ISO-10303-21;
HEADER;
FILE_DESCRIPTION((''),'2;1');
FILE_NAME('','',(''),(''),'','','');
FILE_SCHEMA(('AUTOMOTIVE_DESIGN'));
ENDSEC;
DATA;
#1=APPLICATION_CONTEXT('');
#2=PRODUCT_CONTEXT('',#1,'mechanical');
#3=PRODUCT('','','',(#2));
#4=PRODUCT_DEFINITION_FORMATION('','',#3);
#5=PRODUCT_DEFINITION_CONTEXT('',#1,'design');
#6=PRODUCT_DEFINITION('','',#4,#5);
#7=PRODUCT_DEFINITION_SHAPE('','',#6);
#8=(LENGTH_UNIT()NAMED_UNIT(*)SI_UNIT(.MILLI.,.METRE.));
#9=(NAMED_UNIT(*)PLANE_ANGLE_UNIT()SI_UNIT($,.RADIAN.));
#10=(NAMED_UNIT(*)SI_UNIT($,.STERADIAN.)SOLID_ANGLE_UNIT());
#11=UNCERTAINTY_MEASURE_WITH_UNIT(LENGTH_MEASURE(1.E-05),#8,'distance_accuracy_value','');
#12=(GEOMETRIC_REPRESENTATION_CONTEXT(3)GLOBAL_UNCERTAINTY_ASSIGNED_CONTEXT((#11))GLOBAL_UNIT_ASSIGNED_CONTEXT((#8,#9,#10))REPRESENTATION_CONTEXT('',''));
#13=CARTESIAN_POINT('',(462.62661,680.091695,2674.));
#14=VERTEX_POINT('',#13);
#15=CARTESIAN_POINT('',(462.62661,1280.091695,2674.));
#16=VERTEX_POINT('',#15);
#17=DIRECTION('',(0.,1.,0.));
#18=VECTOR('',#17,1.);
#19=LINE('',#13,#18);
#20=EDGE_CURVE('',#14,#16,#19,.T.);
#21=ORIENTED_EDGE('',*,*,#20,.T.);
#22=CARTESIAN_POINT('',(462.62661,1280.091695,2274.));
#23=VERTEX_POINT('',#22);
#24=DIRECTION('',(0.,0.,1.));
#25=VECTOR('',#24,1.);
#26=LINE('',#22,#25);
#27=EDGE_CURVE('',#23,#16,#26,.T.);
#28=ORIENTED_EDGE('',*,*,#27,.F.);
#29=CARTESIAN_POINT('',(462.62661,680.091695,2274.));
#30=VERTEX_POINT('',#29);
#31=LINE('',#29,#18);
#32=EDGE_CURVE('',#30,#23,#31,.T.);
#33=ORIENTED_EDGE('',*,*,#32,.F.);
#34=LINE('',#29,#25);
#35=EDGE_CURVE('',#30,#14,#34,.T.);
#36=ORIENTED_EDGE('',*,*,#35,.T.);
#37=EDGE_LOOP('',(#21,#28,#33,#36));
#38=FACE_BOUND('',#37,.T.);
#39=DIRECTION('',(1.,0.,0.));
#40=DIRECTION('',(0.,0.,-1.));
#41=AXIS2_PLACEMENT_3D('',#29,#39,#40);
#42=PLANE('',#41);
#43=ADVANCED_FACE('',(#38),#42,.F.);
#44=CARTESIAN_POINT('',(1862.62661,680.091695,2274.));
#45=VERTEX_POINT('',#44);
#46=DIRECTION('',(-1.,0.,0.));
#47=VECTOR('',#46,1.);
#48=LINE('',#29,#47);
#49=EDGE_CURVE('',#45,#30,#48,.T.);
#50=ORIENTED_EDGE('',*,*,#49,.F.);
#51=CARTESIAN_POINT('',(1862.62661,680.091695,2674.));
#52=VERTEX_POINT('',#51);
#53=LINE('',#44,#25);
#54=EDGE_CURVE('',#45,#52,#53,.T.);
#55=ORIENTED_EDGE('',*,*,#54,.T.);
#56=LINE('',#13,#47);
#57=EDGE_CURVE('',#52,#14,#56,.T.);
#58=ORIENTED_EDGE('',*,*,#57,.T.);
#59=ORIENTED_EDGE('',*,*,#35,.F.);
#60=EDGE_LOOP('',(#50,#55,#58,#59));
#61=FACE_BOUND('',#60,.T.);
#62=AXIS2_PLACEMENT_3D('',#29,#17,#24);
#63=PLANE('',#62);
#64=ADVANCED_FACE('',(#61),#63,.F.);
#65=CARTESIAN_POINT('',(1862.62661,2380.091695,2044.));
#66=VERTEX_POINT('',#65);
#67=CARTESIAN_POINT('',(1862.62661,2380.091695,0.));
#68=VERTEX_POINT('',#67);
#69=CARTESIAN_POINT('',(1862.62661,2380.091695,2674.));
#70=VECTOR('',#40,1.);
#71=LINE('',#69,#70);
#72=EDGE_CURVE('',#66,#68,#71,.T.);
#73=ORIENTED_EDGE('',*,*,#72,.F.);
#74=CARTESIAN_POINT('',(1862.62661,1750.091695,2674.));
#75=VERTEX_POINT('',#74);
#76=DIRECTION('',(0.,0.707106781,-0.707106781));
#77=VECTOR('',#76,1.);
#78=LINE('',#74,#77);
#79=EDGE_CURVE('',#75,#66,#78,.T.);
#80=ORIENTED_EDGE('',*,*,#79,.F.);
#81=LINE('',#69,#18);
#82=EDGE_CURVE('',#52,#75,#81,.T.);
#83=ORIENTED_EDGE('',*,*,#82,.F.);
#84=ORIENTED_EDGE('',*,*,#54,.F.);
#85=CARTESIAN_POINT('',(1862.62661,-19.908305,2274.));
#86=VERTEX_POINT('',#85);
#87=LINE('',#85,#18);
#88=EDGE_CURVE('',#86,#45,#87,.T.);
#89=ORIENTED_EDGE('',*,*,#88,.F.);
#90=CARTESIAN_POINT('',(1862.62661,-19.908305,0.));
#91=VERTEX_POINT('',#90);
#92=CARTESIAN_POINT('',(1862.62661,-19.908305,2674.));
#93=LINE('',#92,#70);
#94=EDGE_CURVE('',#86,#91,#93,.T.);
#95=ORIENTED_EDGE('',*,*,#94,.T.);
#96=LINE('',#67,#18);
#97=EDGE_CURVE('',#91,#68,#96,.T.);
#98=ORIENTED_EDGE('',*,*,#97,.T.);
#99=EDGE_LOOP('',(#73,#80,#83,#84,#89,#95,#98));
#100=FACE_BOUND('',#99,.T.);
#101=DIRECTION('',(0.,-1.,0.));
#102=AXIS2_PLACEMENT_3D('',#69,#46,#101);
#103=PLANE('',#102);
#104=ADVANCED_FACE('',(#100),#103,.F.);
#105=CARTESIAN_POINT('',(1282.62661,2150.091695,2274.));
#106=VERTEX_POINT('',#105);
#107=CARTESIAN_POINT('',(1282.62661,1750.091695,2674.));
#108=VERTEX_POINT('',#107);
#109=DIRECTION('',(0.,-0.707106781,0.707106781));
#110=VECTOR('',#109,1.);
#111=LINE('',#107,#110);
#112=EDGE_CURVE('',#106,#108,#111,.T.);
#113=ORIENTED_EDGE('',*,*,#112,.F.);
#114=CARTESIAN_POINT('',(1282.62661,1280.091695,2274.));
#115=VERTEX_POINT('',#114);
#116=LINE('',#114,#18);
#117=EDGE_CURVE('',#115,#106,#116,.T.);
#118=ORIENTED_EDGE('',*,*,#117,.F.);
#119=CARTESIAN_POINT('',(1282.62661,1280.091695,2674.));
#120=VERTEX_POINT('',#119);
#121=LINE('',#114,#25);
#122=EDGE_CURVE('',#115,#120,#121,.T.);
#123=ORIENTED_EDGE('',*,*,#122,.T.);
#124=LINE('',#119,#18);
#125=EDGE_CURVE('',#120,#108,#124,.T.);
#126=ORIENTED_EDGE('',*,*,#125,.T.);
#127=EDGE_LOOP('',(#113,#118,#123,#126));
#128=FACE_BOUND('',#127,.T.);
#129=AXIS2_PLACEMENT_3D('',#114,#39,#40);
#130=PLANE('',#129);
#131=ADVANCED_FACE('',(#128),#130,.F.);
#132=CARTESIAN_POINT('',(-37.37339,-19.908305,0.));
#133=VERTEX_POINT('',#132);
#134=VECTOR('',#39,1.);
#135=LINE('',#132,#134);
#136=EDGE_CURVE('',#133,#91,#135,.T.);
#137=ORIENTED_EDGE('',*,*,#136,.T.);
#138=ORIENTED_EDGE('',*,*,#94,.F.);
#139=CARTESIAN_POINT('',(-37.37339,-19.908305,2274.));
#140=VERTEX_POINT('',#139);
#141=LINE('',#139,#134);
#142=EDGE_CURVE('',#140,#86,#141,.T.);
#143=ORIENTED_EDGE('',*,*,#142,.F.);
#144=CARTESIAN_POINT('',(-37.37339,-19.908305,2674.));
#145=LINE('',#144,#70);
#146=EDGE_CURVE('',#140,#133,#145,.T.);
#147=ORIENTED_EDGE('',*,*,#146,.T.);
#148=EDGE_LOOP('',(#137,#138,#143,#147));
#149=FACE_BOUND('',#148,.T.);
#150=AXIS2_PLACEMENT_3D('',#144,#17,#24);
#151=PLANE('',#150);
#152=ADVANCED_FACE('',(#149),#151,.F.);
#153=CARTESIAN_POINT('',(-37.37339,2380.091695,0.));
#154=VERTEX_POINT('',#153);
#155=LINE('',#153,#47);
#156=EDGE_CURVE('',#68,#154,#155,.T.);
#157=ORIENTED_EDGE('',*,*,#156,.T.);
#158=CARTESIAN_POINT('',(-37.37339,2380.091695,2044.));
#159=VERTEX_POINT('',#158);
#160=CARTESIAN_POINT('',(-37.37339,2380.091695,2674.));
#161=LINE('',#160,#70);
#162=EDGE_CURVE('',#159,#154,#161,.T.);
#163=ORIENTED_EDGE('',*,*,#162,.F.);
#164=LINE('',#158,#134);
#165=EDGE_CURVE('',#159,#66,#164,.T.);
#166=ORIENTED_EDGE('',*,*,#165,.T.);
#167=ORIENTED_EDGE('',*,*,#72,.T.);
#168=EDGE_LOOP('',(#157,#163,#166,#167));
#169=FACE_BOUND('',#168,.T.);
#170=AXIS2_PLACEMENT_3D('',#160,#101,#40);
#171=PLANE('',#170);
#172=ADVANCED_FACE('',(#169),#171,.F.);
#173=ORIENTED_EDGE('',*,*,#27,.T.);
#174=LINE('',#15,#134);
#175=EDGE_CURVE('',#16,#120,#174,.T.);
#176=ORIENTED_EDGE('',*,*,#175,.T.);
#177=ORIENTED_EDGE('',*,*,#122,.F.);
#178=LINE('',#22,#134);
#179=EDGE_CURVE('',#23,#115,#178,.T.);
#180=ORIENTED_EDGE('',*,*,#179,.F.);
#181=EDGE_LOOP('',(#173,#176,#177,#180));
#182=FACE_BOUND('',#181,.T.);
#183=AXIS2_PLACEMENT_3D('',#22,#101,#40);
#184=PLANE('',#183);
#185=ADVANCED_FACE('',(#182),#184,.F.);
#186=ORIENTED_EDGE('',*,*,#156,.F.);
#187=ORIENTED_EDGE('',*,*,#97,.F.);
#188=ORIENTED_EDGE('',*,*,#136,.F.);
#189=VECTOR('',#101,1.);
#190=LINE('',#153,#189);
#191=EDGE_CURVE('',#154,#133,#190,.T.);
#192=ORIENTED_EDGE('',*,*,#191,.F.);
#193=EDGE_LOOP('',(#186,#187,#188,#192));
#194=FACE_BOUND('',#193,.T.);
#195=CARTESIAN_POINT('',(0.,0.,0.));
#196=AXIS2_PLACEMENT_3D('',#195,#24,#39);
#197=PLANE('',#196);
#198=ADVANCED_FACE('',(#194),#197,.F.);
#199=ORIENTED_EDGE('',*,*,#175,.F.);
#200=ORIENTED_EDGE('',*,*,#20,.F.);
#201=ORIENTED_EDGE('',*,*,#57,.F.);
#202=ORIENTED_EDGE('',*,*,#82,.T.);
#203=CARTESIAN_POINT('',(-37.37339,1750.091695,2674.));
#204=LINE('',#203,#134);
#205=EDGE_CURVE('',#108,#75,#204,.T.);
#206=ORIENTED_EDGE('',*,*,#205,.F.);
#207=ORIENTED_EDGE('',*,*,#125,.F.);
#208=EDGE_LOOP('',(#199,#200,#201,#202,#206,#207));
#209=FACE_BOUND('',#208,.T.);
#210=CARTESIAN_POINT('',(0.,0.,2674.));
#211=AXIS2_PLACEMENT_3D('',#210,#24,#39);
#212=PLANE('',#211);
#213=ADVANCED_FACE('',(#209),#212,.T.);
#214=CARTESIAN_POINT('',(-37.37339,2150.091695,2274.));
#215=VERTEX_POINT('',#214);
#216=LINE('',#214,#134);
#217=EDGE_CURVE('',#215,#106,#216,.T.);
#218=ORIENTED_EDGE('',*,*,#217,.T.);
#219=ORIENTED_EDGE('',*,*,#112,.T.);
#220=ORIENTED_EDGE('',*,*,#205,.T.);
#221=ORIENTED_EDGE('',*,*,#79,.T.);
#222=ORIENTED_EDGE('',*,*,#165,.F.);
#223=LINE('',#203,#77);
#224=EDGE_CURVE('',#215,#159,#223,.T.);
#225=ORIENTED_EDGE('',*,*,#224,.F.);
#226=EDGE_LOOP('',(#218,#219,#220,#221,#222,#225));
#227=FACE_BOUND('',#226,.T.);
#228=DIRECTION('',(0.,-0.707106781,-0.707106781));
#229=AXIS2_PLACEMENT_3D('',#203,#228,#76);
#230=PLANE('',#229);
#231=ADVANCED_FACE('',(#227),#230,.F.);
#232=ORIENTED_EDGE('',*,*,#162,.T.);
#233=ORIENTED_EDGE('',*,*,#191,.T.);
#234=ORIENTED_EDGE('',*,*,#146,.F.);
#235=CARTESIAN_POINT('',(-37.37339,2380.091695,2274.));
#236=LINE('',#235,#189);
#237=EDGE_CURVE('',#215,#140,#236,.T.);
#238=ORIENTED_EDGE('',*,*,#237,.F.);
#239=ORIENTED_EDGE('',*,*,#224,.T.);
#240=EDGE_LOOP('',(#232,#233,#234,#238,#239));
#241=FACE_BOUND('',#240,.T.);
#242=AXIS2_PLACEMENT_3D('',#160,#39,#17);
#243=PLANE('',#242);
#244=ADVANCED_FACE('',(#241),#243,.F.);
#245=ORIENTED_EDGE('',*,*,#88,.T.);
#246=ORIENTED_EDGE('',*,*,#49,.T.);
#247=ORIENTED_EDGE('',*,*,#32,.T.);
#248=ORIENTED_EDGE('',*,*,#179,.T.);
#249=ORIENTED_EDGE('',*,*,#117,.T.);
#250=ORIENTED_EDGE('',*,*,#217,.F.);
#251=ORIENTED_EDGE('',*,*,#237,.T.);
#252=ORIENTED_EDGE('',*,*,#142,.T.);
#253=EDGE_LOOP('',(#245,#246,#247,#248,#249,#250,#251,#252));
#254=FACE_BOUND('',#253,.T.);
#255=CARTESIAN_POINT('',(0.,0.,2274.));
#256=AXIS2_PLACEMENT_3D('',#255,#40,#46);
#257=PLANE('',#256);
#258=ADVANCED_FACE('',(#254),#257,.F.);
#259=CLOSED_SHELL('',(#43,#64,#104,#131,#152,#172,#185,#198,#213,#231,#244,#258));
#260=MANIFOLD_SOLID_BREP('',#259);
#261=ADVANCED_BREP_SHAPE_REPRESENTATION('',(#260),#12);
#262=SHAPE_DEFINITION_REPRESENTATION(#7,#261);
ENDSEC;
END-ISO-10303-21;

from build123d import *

# Parameters (mm, degrees)
SKETCH_1_W          = 1900
SKETCH_1_H          = 2400
EXTRUDE_1_DEPTH     = 2674
CUT_EXTRUDE_1_DEPTH = 4053.790702473
CUT_EXTRUDE_2_DEPTH = 400


with BuildPart() as part:
    # ｽｹｯﾁ1 → ﾎﾞｽ - 押し出し1 (new body)
    with BuildSketch(Plane.XY):
        with Locations((912.626610361, 1180.091695304)):
            Rectangle(SKETCH_1_W, SKETCH_1_H)
    extrude(amount=EXTRUDE_1_DEPTH)

    # ｽｹｯﾁ2 → ｶｯﾄ - 押し出し1 (cut, through all)
    with BuildSketch(Plane(origin=(1862.626610361, 0, 0), x_dir=(0, 0, -1), z_dir=(1, 0, 0))):
        Polygon((-2674, 2380.091695304), (-2674, 1750.091695304), (-2044, 2380.091695304), align=None)
    extrude(amount=-CUT_EXTRUDE_1_DEPTH, mode=Mode.SUBTRACT)

    # ｽｹｯﾁ3 → ｶｯﾄ - 押し出し2 (cut)
    with BuildSketch(Plane.XY.offset(2674)):
        Polygon((462.626610361, 1280.091695304), (1282.626610361, 1280.091695304), (1282.626610361, 2380.091695304), (-37.373389639, 2380.091695304), (-37.373389639, -19.908304696), (462.626610361, -19.908304696), (1862.626610361, -19.908304696), (1862.626610361, 680.091695304), (462.626610361, 680.091695304), align=None)
    extrude(amount=-CUT_EXTRUDE_2_DEPTH, mode=Mode.SUBTRACT)


solid = part.part
